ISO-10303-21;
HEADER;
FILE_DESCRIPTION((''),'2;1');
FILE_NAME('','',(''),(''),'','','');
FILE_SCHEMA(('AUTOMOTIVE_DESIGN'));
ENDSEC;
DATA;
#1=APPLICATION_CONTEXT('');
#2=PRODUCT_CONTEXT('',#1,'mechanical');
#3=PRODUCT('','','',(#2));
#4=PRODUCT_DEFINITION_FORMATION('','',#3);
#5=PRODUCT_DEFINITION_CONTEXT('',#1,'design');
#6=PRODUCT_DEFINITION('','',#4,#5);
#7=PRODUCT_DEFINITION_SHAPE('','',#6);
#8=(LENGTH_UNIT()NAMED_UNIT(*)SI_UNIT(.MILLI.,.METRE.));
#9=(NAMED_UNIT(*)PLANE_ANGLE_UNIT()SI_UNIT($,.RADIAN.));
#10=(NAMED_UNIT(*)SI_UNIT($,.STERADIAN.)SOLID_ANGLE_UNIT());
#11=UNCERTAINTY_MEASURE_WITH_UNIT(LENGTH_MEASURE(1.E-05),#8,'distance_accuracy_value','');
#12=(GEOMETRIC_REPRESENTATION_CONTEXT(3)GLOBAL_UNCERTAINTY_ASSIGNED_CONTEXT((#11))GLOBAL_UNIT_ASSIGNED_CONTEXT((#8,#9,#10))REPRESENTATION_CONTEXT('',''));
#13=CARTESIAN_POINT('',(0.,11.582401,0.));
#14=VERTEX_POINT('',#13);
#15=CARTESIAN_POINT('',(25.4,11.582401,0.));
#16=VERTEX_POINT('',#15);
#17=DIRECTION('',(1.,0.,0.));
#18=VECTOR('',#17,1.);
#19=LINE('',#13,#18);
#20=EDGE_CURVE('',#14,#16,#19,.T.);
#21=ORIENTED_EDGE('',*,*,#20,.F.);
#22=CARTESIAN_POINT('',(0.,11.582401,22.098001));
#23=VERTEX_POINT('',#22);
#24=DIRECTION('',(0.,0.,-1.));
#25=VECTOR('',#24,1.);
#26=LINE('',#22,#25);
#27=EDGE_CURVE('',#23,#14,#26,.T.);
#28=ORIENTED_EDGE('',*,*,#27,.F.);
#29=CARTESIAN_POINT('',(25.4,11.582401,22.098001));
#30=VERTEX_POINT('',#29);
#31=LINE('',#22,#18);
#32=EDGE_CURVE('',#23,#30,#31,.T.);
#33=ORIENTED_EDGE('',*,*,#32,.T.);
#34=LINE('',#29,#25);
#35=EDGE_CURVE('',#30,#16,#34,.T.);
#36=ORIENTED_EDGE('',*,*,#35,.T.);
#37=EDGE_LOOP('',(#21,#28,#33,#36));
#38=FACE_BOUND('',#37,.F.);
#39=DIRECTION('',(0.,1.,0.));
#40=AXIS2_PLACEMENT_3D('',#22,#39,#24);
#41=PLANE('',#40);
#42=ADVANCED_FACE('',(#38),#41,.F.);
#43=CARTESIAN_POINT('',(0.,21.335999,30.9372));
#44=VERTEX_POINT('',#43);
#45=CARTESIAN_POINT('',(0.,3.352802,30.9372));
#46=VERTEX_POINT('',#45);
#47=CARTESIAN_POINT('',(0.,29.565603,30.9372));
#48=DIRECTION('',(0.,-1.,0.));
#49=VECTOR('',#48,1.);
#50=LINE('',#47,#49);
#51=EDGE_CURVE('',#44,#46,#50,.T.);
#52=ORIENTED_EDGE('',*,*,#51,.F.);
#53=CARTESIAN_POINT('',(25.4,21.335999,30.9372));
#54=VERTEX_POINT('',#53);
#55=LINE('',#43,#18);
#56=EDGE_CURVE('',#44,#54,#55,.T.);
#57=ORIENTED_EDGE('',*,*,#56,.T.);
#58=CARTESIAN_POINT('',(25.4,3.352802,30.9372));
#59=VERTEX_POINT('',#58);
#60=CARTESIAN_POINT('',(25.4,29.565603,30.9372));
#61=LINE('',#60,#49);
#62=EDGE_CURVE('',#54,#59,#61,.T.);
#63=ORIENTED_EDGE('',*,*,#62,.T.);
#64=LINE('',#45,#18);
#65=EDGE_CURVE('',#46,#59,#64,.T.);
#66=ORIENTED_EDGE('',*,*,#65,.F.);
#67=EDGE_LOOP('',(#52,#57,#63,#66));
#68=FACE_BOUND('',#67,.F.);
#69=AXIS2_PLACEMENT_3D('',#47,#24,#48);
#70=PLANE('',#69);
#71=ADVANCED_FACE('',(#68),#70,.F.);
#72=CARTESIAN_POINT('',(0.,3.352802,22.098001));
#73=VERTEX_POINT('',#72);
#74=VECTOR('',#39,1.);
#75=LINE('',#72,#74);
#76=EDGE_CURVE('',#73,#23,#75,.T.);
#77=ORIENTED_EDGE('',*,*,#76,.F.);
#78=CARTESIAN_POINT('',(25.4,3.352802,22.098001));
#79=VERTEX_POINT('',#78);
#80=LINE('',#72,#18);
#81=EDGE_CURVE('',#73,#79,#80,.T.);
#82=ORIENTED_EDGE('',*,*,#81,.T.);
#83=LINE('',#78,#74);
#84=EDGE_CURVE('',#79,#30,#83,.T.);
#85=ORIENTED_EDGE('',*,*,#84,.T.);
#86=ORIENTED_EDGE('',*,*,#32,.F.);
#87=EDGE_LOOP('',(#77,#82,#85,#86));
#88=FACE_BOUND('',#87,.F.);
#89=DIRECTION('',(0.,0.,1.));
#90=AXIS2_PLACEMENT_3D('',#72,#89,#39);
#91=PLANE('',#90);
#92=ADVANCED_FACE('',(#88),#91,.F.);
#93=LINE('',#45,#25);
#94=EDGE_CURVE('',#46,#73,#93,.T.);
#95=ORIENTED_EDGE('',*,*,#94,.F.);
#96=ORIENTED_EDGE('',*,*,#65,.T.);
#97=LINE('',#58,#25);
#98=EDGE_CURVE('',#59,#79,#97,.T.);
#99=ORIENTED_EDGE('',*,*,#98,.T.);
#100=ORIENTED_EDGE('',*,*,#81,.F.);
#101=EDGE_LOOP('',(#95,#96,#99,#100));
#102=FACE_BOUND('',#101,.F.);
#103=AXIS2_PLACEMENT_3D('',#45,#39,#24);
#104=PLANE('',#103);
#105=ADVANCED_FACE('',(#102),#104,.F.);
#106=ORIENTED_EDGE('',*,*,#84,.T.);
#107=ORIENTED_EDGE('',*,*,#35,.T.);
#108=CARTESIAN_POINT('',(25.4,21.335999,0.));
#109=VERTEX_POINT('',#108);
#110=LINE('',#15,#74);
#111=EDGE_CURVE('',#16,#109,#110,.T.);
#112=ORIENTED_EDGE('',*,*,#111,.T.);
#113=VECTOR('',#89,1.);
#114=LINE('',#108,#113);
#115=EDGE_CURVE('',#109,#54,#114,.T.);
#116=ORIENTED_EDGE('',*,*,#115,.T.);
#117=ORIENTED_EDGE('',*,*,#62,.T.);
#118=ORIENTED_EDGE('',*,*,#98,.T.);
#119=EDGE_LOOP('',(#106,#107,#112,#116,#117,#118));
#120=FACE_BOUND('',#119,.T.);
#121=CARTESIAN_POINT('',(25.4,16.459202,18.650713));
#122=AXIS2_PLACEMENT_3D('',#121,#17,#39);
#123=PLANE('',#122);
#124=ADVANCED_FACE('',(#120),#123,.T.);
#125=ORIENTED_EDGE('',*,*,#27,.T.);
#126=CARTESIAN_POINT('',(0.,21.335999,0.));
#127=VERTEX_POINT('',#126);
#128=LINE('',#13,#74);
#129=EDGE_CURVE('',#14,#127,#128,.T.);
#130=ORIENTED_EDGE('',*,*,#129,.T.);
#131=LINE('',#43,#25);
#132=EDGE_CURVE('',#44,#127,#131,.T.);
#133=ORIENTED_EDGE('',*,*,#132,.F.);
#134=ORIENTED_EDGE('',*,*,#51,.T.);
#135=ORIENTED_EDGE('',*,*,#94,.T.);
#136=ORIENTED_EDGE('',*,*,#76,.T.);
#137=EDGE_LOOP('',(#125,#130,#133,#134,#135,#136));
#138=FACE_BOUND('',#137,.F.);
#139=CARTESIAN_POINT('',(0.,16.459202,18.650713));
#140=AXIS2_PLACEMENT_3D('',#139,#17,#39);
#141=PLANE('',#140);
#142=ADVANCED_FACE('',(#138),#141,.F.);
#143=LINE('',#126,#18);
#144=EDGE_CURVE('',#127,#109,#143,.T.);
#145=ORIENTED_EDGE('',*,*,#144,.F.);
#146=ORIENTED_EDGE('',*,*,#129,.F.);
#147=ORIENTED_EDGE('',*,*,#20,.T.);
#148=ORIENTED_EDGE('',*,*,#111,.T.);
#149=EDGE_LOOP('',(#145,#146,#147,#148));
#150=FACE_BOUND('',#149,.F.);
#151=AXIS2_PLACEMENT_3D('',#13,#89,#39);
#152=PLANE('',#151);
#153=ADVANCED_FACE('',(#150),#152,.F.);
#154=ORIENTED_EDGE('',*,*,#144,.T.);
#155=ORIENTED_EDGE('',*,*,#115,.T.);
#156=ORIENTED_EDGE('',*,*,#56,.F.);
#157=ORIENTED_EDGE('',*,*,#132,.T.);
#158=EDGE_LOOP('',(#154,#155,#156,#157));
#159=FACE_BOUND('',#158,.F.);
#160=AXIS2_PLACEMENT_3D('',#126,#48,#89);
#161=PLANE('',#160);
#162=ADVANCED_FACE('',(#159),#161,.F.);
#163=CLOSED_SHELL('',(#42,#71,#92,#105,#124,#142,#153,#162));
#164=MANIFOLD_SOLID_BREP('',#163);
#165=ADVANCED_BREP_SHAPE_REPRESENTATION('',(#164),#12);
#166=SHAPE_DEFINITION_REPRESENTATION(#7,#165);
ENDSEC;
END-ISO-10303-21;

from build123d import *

# Parameters (mm, degrees)
F1_DEPTH  = 25.4
F1_FACE_W = 25.4
F1_FACE_H = 8.229604
F2_DEPTH  = 25.4


with BuildPart() as f1:
    # F0 (on Right) → F1 (new body)
    with BuildSketch(Plane.YZ):
        Polygon((11.582401, 22.098001), (11.582401, 0), (21.335999, 0), (21.335999, 22.098001), (29.565603, 22.098001), (29.565603, 30.9372), (3.352802, 30.9372), (3.352802, 22.098001), align=None)
    extrude(amount=F1_DEPTH)

    # F1_face (on face) → F2 (cut)
    with BuildSketch(Plane(origin=(12.7, 25.450801, 22.098001), x_dir=(1, 0, 0), z_dir=(0, 0, -1))):
        Rectangle(F1_FACE_W, F1_FACE_H)
    extrude(amount=-F2_DEPTH, mode=Mode.SUBTRACT)


solid = f1.part
